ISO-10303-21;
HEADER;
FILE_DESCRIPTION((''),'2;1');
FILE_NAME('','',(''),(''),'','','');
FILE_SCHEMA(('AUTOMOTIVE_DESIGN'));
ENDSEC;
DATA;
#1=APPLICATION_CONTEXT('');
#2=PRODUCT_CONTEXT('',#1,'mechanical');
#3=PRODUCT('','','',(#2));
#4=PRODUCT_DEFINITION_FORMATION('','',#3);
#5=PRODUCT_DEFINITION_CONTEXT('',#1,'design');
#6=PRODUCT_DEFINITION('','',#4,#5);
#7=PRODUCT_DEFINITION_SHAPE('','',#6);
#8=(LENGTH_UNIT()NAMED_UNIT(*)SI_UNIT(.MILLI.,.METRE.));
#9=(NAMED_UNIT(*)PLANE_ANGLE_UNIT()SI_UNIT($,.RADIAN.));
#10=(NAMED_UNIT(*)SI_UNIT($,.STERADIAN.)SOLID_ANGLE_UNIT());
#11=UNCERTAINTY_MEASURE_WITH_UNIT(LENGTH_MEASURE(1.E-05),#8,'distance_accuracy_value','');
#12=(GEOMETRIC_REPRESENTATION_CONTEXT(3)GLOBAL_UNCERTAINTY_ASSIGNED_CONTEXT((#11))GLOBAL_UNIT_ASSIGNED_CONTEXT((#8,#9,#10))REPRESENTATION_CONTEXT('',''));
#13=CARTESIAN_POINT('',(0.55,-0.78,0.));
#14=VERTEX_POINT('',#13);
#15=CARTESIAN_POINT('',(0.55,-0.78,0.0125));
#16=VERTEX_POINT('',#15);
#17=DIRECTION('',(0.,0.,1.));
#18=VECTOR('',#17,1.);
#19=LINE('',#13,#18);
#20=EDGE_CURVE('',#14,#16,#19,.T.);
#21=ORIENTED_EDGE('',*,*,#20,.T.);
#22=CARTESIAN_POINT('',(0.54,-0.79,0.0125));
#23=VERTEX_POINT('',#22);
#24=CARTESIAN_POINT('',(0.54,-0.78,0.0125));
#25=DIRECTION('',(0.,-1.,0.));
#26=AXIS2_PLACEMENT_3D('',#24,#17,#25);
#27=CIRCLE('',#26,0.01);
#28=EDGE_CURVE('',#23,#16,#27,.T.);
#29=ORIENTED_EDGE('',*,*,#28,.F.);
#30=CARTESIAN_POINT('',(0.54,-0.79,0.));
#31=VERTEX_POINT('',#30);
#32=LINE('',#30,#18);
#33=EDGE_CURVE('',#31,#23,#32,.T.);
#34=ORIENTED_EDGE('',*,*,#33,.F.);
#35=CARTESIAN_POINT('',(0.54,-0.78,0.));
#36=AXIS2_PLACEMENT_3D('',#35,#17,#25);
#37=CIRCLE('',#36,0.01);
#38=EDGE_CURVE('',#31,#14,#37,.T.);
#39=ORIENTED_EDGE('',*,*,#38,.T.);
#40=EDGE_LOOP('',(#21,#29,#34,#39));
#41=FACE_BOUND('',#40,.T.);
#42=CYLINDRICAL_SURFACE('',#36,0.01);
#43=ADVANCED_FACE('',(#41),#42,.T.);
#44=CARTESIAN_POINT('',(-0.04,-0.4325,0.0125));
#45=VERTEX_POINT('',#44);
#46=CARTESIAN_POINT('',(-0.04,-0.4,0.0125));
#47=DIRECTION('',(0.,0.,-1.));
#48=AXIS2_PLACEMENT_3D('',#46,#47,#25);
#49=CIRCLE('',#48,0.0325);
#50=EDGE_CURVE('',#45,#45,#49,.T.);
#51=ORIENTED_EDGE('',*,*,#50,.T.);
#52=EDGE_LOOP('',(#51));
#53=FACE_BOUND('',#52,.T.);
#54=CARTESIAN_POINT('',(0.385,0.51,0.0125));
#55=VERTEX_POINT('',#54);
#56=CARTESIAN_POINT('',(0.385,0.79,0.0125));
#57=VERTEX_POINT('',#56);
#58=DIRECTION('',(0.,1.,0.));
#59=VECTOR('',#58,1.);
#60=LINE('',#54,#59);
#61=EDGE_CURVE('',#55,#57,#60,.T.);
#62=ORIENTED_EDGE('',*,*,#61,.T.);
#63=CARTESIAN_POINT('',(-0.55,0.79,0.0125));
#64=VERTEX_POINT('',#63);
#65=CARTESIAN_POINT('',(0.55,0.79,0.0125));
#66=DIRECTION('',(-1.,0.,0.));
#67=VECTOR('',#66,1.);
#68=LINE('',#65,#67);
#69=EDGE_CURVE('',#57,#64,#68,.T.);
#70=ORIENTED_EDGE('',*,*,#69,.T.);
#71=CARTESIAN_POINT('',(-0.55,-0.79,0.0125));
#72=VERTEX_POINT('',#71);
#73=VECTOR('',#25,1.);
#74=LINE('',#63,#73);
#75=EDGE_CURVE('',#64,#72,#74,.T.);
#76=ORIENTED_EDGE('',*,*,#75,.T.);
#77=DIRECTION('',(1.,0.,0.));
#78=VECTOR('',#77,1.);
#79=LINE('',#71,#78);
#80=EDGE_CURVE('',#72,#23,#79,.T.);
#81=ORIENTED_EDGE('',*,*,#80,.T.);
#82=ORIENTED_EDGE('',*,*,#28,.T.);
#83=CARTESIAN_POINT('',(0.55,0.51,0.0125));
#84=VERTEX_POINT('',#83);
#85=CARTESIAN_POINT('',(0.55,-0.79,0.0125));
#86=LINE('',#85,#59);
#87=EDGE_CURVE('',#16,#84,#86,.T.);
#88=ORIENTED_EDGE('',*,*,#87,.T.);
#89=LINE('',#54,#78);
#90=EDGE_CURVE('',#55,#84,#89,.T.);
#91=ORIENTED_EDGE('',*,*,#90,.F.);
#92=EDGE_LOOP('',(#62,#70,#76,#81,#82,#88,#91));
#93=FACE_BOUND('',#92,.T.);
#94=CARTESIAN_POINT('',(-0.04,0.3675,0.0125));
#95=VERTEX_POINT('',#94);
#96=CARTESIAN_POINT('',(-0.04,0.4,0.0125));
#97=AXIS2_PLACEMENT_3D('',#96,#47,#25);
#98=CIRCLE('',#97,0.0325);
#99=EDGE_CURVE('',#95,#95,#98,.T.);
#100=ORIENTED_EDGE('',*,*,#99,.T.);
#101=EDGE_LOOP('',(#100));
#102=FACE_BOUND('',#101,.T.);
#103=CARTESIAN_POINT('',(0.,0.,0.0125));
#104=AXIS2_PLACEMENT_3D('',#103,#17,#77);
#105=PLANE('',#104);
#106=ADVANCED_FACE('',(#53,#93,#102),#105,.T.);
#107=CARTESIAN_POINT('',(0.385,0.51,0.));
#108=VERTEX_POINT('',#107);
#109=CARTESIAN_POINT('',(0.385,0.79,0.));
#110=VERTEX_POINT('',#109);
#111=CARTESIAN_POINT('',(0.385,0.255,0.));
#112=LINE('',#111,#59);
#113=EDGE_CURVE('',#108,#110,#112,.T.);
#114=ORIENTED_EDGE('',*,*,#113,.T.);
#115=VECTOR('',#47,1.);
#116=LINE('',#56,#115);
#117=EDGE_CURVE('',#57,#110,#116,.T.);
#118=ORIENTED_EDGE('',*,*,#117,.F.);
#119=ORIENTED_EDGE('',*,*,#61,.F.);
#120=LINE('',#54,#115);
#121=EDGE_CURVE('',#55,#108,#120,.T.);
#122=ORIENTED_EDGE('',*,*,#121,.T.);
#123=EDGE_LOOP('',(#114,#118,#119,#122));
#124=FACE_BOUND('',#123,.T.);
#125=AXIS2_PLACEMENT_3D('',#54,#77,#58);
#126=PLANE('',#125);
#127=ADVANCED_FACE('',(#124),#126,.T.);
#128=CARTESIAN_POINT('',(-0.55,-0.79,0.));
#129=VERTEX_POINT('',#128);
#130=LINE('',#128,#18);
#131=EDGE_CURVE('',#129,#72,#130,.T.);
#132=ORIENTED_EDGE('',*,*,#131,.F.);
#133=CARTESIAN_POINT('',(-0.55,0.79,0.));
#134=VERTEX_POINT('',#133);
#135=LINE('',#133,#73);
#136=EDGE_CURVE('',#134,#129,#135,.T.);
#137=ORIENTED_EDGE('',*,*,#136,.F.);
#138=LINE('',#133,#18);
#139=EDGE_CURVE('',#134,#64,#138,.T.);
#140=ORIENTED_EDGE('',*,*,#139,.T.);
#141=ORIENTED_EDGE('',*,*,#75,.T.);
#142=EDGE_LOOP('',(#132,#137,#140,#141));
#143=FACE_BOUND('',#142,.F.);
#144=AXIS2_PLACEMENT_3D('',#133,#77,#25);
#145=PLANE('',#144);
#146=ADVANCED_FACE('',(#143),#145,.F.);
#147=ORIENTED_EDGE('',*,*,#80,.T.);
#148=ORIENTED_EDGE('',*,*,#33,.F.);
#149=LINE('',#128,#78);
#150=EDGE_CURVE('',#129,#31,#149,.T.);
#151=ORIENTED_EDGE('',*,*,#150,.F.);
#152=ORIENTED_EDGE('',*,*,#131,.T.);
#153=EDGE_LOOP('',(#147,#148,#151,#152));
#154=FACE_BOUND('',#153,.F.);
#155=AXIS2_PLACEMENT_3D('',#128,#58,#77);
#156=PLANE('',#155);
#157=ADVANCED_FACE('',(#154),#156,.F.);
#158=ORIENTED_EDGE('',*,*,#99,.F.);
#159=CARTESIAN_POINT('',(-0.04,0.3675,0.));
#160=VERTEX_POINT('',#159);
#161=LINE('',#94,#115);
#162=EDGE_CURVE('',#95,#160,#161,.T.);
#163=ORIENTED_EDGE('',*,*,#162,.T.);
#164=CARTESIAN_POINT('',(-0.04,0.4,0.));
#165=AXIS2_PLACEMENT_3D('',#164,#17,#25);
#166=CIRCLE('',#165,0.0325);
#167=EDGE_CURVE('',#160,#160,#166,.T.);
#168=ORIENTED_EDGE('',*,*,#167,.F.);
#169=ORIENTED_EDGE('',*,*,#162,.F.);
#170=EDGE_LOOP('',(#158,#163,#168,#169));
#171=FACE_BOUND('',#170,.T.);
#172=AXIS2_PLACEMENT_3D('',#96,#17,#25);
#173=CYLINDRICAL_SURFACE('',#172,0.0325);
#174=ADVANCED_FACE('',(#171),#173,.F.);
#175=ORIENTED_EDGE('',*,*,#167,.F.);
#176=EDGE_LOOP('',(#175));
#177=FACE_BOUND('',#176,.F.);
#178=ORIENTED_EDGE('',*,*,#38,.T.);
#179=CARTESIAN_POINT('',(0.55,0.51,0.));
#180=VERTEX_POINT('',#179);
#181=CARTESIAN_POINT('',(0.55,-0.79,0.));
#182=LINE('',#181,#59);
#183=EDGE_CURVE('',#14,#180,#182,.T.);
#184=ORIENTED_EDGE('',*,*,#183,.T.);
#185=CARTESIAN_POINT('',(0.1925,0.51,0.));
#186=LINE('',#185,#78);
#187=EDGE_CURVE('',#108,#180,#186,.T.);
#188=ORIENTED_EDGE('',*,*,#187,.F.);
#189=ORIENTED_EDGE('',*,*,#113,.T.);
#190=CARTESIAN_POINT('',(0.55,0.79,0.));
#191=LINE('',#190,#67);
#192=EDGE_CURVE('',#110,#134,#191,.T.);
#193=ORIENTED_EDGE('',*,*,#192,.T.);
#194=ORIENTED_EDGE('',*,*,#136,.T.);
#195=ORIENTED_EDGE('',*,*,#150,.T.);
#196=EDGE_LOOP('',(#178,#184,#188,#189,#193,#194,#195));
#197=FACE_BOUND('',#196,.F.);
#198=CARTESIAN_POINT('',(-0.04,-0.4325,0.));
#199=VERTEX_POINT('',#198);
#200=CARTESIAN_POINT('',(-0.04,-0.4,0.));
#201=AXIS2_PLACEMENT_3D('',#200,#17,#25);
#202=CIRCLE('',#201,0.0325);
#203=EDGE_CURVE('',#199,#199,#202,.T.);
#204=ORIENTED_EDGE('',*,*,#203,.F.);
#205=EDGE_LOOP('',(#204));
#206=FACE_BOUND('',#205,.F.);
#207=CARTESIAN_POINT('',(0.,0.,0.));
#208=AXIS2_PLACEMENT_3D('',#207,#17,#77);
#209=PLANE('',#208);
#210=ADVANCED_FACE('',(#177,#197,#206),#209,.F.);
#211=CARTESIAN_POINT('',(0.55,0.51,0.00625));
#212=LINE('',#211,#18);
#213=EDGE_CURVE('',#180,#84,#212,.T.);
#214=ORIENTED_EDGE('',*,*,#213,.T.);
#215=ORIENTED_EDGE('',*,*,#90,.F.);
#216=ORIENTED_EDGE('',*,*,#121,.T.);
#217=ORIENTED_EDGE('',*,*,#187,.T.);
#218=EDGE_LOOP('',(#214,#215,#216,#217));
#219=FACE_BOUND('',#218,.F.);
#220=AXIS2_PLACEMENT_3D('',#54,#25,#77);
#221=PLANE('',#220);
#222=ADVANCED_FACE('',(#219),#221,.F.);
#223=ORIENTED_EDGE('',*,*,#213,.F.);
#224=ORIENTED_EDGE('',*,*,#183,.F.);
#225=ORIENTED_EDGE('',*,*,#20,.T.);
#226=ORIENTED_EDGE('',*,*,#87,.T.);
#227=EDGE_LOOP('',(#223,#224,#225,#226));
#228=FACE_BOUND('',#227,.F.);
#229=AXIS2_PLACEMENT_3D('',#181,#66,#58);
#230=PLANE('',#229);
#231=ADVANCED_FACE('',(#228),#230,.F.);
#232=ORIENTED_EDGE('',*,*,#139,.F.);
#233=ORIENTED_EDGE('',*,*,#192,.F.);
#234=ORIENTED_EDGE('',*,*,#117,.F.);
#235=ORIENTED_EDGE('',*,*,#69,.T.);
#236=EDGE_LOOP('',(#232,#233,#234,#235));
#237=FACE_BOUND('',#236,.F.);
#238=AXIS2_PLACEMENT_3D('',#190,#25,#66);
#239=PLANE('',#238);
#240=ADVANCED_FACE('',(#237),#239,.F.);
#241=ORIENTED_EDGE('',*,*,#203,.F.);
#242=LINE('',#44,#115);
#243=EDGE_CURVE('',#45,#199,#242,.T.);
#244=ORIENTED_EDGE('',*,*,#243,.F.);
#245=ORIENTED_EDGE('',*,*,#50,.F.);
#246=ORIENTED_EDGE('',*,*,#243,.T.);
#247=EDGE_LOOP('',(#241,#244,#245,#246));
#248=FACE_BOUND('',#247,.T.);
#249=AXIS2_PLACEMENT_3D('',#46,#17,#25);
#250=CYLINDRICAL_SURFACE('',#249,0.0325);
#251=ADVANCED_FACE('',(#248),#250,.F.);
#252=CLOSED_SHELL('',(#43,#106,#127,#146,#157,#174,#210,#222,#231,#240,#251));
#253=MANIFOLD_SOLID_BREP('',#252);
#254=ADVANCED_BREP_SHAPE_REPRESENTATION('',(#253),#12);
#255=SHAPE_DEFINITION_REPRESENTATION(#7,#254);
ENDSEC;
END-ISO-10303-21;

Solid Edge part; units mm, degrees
sketch "Sketch1" plane through (0, 0, 0) normal (0, 0, 1) x (1, 0, 0)
  line L0 (-0.55, -0.79) -> (0.55, -0.79)
  line L1 (0.55, -0.79) -> (0.55, 0.79)
  line L2 (0.55, 0.79) -> (-0.55, 0.79)
  line L3 (-0.55, 0.79) -> (-0.55, -0.79)
  dimension "D1" = 1.1
  dimension "D2" = 1.58
extrude "Protrusion1" add sketch "Sketch1" along normal blind 0.0125
fillet "Verrundung_1" radius 0.01 1 edges at (0.55, -0.79, 0.0063)
sketch "Sketch2" plane through (0, 0, 0.0125) normal (0, 0, 1) x (0, -1, 0)
  line L0 (-0.51, 0.715) -> (-0.79, 0.715)
  line L1 (-0.79, 0.385) -> (-0.79, 0.715)
  line L2 (-0.51, 0.385) -> (-0.79, 0.385)
  line L3 (-0.51, 0.385) -> (-0.51, 0.715)
extrude "Cutout1" cut sketch "Sketch2" against normal through all
hole "Bohrung_1" at (-0.04, 0.4, 0.0125) direction (0, 0, -1) diameter 0.065 end up to next
hole "Hole1" at (-0.04, -0.4, 0.0125) direction (0, 0, -1) diameter 0.065 end up to next
